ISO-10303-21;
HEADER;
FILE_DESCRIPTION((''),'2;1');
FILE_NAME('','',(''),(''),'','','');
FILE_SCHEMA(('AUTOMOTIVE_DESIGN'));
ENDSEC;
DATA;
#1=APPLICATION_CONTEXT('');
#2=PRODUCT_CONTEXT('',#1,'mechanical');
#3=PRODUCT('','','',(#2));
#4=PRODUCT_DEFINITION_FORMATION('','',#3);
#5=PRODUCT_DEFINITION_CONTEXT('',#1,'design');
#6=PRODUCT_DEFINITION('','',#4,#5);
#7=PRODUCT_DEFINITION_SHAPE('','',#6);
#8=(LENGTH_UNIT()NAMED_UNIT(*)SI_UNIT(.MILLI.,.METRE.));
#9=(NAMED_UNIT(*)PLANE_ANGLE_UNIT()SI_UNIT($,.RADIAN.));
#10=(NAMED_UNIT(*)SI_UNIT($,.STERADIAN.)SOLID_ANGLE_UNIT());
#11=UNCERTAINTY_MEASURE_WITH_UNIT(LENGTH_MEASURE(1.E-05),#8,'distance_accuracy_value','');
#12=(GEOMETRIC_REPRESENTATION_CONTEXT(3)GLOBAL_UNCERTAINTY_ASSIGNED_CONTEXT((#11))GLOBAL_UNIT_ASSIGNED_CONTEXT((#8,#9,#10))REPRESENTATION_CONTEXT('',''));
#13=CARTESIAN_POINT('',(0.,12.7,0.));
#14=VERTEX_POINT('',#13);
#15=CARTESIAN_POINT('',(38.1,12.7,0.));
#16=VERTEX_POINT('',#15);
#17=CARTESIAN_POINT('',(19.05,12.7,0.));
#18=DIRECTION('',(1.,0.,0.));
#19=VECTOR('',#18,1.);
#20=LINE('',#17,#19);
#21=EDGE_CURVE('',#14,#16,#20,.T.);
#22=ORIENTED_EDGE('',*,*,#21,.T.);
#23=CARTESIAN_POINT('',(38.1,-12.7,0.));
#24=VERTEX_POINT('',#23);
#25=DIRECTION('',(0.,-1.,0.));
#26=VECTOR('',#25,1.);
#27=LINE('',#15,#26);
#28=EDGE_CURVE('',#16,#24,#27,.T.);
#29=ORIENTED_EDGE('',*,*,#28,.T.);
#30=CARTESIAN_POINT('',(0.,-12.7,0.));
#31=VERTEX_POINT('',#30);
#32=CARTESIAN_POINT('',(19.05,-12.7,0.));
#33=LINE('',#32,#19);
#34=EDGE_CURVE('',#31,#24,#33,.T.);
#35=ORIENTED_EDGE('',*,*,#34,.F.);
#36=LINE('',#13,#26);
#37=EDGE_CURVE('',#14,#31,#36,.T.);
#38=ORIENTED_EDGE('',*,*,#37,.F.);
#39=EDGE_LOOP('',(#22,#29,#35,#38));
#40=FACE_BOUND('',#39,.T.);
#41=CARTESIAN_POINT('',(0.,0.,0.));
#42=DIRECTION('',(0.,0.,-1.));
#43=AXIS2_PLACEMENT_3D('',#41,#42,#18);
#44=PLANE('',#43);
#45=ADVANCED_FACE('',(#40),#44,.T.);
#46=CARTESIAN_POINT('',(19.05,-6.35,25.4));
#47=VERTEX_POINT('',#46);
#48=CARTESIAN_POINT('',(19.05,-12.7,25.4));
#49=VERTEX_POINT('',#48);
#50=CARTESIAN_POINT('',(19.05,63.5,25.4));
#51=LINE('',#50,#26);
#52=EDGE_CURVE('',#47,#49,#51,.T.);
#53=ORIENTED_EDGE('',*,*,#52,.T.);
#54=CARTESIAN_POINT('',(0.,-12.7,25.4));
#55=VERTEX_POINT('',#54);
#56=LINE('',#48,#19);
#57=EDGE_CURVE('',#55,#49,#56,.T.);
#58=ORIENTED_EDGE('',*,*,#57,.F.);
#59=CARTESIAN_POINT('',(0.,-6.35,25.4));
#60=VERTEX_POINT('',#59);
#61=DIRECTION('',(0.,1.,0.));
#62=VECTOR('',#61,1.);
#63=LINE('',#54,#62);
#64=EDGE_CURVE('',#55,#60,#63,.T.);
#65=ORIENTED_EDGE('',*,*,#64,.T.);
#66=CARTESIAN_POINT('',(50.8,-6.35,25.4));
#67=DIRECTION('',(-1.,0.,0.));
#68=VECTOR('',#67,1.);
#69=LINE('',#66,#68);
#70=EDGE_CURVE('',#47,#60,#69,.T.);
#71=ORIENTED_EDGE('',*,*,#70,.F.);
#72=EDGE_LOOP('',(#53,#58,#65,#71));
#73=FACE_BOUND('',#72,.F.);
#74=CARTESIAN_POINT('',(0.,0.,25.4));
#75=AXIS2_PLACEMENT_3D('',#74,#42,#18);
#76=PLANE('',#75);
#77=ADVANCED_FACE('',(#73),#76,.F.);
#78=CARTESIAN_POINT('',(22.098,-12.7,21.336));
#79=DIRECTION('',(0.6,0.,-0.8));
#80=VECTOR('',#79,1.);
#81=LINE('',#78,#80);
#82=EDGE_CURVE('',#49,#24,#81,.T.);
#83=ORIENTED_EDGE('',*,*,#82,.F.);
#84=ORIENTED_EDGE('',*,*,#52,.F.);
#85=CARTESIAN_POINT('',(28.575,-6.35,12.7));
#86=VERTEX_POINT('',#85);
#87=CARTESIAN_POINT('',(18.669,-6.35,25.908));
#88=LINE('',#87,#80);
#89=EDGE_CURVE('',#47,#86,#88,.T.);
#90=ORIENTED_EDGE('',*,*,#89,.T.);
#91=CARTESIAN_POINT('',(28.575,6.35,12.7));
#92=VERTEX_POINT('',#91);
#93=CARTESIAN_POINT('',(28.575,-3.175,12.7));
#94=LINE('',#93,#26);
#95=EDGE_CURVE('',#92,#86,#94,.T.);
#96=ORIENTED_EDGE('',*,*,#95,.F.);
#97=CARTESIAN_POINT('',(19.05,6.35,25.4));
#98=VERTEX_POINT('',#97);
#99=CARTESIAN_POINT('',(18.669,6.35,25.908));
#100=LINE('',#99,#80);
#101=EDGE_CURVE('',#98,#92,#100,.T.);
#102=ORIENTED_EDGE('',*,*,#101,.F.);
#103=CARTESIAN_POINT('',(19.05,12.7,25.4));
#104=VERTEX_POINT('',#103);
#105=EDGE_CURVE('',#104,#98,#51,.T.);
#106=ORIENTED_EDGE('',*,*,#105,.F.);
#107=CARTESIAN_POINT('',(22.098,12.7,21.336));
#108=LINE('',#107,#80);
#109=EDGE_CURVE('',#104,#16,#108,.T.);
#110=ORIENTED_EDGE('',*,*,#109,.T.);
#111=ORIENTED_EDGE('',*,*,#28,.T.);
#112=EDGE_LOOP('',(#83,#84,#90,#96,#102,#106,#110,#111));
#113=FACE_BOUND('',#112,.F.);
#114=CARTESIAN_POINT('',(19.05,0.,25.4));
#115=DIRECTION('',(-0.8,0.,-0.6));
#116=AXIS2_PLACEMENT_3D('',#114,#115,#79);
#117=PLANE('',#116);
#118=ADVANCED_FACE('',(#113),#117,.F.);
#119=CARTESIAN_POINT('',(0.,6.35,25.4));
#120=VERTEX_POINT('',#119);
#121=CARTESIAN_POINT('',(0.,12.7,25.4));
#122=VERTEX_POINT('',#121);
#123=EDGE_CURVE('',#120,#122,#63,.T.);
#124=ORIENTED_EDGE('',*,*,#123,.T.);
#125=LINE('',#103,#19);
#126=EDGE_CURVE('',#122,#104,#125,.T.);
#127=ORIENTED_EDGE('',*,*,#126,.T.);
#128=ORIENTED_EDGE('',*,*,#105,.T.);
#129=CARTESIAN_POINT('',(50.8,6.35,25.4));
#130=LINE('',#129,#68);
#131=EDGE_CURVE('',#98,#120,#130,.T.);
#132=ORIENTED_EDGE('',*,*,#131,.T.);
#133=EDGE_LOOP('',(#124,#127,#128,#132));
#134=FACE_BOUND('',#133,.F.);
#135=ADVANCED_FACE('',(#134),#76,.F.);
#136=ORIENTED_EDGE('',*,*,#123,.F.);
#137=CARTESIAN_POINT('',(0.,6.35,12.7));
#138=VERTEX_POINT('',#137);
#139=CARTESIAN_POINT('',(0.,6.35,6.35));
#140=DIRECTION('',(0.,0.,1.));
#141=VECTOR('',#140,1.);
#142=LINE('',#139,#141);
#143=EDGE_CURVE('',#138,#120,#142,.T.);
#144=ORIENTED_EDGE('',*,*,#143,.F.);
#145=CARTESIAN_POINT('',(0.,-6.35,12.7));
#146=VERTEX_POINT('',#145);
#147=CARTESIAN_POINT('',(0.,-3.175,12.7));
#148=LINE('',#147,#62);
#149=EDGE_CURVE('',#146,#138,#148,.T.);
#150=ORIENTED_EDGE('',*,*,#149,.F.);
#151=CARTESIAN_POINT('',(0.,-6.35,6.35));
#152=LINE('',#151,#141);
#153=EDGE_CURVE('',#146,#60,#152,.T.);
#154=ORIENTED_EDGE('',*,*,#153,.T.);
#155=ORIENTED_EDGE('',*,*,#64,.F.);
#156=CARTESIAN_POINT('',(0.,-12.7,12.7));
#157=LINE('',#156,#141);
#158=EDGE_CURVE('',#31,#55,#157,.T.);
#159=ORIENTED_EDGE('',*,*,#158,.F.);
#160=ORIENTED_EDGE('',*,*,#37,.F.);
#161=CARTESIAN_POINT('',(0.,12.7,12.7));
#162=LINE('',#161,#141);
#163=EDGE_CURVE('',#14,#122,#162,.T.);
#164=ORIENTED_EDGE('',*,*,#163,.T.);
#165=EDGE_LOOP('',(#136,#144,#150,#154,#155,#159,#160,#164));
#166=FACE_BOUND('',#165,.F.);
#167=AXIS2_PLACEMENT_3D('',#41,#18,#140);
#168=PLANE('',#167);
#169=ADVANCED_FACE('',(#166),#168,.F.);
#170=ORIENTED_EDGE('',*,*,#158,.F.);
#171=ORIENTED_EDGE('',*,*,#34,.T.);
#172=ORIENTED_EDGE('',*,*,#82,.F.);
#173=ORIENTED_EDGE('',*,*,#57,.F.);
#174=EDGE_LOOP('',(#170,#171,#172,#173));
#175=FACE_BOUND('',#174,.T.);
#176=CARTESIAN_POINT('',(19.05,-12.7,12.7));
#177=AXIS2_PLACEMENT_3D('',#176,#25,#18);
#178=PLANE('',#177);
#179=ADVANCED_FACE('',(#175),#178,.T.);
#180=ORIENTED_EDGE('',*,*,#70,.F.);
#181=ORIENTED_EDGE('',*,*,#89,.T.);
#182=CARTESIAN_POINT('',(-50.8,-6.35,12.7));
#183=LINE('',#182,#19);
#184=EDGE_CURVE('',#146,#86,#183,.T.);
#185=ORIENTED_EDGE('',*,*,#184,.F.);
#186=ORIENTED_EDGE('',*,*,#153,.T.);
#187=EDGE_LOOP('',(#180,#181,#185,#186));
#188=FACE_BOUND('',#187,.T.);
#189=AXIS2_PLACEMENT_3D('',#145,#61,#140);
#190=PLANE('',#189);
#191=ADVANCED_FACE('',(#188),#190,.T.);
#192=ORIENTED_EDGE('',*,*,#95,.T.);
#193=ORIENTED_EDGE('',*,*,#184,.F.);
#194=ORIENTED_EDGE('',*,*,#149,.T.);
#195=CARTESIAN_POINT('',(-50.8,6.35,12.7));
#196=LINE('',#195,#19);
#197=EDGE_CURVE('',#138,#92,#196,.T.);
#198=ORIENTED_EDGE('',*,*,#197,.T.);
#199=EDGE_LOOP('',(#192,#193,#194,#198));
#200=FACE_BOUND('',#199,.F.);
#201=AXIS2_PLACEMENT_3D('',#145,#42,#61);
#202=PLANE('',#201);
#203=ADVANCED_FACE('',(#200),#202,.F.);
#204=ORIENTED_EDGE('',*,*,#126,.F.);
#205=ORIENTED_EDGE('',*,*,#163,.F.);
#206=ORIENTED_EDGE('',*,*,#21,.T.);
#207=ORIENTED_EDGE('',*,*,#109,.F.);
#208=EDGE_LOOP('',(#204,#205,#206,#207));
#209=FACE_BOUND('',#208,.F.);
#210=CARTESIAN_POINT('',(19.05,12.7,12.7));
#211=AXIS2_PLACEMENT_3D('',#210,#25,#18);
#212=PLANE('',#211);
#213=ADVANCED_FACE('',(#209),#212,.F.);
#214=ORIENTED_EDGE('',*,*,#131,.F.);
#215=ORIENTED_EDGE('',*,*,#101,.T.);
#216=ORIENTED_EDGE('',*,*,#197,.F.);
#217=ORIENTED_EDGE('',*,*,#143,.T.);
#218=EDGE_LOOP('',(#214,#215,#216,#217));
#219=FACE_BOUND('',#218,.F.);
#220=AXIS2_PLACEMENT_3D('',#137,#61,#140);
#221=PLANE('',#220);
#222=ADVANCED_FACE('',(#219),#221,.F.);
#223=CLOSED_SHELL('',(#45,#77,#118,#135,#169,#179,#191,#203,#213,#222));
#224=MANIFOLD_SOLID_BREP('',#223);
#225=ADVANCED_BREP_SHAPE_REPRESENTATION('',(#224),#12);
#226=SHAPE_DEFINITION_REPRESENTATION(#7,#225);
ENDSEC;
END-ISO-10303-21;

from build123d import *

# Parameters (mm, degrees)
F0_W     = 38.1
F0_H     = 25.4
F1_DEPTH = 12.7
F3_DEPTH = 63.5
F4_W     = 12.7
F4_H     = 12.7
F5_DEPTH = 50.8


with BuildPart() as f1:
    # F0 (on Front) → F1 (new body, symmetric)
    with BuildSketch(Plane.XZ):
        with Locations((19.05, 12.7)):
            Rectangle(F0_W, F0_H)
    extrude(amount=F1_DEPTH, both=True)

    # F2 (on Front) → F3 (cut, symmetric)
    with BuildSketch(Plane.XZ):
        Polygon((38.1, 25.4), (19.05, 25.4), (38.1, 0), align=None)
    extrude(amount=F3_DEPTH, both=True, mode=Mode.SUBTRACT)

    # F4 (on Right) → F5 (cut, symmetric)
    with BuildSketch(Plane.YZ):
        with Locations((0, 19.05)):
            Rectangle(F4_W, F4_H)
    extrude(amount=F5_DEPTH, both=True, mode=Mode.SUBTRACT)


solid = f1.part
